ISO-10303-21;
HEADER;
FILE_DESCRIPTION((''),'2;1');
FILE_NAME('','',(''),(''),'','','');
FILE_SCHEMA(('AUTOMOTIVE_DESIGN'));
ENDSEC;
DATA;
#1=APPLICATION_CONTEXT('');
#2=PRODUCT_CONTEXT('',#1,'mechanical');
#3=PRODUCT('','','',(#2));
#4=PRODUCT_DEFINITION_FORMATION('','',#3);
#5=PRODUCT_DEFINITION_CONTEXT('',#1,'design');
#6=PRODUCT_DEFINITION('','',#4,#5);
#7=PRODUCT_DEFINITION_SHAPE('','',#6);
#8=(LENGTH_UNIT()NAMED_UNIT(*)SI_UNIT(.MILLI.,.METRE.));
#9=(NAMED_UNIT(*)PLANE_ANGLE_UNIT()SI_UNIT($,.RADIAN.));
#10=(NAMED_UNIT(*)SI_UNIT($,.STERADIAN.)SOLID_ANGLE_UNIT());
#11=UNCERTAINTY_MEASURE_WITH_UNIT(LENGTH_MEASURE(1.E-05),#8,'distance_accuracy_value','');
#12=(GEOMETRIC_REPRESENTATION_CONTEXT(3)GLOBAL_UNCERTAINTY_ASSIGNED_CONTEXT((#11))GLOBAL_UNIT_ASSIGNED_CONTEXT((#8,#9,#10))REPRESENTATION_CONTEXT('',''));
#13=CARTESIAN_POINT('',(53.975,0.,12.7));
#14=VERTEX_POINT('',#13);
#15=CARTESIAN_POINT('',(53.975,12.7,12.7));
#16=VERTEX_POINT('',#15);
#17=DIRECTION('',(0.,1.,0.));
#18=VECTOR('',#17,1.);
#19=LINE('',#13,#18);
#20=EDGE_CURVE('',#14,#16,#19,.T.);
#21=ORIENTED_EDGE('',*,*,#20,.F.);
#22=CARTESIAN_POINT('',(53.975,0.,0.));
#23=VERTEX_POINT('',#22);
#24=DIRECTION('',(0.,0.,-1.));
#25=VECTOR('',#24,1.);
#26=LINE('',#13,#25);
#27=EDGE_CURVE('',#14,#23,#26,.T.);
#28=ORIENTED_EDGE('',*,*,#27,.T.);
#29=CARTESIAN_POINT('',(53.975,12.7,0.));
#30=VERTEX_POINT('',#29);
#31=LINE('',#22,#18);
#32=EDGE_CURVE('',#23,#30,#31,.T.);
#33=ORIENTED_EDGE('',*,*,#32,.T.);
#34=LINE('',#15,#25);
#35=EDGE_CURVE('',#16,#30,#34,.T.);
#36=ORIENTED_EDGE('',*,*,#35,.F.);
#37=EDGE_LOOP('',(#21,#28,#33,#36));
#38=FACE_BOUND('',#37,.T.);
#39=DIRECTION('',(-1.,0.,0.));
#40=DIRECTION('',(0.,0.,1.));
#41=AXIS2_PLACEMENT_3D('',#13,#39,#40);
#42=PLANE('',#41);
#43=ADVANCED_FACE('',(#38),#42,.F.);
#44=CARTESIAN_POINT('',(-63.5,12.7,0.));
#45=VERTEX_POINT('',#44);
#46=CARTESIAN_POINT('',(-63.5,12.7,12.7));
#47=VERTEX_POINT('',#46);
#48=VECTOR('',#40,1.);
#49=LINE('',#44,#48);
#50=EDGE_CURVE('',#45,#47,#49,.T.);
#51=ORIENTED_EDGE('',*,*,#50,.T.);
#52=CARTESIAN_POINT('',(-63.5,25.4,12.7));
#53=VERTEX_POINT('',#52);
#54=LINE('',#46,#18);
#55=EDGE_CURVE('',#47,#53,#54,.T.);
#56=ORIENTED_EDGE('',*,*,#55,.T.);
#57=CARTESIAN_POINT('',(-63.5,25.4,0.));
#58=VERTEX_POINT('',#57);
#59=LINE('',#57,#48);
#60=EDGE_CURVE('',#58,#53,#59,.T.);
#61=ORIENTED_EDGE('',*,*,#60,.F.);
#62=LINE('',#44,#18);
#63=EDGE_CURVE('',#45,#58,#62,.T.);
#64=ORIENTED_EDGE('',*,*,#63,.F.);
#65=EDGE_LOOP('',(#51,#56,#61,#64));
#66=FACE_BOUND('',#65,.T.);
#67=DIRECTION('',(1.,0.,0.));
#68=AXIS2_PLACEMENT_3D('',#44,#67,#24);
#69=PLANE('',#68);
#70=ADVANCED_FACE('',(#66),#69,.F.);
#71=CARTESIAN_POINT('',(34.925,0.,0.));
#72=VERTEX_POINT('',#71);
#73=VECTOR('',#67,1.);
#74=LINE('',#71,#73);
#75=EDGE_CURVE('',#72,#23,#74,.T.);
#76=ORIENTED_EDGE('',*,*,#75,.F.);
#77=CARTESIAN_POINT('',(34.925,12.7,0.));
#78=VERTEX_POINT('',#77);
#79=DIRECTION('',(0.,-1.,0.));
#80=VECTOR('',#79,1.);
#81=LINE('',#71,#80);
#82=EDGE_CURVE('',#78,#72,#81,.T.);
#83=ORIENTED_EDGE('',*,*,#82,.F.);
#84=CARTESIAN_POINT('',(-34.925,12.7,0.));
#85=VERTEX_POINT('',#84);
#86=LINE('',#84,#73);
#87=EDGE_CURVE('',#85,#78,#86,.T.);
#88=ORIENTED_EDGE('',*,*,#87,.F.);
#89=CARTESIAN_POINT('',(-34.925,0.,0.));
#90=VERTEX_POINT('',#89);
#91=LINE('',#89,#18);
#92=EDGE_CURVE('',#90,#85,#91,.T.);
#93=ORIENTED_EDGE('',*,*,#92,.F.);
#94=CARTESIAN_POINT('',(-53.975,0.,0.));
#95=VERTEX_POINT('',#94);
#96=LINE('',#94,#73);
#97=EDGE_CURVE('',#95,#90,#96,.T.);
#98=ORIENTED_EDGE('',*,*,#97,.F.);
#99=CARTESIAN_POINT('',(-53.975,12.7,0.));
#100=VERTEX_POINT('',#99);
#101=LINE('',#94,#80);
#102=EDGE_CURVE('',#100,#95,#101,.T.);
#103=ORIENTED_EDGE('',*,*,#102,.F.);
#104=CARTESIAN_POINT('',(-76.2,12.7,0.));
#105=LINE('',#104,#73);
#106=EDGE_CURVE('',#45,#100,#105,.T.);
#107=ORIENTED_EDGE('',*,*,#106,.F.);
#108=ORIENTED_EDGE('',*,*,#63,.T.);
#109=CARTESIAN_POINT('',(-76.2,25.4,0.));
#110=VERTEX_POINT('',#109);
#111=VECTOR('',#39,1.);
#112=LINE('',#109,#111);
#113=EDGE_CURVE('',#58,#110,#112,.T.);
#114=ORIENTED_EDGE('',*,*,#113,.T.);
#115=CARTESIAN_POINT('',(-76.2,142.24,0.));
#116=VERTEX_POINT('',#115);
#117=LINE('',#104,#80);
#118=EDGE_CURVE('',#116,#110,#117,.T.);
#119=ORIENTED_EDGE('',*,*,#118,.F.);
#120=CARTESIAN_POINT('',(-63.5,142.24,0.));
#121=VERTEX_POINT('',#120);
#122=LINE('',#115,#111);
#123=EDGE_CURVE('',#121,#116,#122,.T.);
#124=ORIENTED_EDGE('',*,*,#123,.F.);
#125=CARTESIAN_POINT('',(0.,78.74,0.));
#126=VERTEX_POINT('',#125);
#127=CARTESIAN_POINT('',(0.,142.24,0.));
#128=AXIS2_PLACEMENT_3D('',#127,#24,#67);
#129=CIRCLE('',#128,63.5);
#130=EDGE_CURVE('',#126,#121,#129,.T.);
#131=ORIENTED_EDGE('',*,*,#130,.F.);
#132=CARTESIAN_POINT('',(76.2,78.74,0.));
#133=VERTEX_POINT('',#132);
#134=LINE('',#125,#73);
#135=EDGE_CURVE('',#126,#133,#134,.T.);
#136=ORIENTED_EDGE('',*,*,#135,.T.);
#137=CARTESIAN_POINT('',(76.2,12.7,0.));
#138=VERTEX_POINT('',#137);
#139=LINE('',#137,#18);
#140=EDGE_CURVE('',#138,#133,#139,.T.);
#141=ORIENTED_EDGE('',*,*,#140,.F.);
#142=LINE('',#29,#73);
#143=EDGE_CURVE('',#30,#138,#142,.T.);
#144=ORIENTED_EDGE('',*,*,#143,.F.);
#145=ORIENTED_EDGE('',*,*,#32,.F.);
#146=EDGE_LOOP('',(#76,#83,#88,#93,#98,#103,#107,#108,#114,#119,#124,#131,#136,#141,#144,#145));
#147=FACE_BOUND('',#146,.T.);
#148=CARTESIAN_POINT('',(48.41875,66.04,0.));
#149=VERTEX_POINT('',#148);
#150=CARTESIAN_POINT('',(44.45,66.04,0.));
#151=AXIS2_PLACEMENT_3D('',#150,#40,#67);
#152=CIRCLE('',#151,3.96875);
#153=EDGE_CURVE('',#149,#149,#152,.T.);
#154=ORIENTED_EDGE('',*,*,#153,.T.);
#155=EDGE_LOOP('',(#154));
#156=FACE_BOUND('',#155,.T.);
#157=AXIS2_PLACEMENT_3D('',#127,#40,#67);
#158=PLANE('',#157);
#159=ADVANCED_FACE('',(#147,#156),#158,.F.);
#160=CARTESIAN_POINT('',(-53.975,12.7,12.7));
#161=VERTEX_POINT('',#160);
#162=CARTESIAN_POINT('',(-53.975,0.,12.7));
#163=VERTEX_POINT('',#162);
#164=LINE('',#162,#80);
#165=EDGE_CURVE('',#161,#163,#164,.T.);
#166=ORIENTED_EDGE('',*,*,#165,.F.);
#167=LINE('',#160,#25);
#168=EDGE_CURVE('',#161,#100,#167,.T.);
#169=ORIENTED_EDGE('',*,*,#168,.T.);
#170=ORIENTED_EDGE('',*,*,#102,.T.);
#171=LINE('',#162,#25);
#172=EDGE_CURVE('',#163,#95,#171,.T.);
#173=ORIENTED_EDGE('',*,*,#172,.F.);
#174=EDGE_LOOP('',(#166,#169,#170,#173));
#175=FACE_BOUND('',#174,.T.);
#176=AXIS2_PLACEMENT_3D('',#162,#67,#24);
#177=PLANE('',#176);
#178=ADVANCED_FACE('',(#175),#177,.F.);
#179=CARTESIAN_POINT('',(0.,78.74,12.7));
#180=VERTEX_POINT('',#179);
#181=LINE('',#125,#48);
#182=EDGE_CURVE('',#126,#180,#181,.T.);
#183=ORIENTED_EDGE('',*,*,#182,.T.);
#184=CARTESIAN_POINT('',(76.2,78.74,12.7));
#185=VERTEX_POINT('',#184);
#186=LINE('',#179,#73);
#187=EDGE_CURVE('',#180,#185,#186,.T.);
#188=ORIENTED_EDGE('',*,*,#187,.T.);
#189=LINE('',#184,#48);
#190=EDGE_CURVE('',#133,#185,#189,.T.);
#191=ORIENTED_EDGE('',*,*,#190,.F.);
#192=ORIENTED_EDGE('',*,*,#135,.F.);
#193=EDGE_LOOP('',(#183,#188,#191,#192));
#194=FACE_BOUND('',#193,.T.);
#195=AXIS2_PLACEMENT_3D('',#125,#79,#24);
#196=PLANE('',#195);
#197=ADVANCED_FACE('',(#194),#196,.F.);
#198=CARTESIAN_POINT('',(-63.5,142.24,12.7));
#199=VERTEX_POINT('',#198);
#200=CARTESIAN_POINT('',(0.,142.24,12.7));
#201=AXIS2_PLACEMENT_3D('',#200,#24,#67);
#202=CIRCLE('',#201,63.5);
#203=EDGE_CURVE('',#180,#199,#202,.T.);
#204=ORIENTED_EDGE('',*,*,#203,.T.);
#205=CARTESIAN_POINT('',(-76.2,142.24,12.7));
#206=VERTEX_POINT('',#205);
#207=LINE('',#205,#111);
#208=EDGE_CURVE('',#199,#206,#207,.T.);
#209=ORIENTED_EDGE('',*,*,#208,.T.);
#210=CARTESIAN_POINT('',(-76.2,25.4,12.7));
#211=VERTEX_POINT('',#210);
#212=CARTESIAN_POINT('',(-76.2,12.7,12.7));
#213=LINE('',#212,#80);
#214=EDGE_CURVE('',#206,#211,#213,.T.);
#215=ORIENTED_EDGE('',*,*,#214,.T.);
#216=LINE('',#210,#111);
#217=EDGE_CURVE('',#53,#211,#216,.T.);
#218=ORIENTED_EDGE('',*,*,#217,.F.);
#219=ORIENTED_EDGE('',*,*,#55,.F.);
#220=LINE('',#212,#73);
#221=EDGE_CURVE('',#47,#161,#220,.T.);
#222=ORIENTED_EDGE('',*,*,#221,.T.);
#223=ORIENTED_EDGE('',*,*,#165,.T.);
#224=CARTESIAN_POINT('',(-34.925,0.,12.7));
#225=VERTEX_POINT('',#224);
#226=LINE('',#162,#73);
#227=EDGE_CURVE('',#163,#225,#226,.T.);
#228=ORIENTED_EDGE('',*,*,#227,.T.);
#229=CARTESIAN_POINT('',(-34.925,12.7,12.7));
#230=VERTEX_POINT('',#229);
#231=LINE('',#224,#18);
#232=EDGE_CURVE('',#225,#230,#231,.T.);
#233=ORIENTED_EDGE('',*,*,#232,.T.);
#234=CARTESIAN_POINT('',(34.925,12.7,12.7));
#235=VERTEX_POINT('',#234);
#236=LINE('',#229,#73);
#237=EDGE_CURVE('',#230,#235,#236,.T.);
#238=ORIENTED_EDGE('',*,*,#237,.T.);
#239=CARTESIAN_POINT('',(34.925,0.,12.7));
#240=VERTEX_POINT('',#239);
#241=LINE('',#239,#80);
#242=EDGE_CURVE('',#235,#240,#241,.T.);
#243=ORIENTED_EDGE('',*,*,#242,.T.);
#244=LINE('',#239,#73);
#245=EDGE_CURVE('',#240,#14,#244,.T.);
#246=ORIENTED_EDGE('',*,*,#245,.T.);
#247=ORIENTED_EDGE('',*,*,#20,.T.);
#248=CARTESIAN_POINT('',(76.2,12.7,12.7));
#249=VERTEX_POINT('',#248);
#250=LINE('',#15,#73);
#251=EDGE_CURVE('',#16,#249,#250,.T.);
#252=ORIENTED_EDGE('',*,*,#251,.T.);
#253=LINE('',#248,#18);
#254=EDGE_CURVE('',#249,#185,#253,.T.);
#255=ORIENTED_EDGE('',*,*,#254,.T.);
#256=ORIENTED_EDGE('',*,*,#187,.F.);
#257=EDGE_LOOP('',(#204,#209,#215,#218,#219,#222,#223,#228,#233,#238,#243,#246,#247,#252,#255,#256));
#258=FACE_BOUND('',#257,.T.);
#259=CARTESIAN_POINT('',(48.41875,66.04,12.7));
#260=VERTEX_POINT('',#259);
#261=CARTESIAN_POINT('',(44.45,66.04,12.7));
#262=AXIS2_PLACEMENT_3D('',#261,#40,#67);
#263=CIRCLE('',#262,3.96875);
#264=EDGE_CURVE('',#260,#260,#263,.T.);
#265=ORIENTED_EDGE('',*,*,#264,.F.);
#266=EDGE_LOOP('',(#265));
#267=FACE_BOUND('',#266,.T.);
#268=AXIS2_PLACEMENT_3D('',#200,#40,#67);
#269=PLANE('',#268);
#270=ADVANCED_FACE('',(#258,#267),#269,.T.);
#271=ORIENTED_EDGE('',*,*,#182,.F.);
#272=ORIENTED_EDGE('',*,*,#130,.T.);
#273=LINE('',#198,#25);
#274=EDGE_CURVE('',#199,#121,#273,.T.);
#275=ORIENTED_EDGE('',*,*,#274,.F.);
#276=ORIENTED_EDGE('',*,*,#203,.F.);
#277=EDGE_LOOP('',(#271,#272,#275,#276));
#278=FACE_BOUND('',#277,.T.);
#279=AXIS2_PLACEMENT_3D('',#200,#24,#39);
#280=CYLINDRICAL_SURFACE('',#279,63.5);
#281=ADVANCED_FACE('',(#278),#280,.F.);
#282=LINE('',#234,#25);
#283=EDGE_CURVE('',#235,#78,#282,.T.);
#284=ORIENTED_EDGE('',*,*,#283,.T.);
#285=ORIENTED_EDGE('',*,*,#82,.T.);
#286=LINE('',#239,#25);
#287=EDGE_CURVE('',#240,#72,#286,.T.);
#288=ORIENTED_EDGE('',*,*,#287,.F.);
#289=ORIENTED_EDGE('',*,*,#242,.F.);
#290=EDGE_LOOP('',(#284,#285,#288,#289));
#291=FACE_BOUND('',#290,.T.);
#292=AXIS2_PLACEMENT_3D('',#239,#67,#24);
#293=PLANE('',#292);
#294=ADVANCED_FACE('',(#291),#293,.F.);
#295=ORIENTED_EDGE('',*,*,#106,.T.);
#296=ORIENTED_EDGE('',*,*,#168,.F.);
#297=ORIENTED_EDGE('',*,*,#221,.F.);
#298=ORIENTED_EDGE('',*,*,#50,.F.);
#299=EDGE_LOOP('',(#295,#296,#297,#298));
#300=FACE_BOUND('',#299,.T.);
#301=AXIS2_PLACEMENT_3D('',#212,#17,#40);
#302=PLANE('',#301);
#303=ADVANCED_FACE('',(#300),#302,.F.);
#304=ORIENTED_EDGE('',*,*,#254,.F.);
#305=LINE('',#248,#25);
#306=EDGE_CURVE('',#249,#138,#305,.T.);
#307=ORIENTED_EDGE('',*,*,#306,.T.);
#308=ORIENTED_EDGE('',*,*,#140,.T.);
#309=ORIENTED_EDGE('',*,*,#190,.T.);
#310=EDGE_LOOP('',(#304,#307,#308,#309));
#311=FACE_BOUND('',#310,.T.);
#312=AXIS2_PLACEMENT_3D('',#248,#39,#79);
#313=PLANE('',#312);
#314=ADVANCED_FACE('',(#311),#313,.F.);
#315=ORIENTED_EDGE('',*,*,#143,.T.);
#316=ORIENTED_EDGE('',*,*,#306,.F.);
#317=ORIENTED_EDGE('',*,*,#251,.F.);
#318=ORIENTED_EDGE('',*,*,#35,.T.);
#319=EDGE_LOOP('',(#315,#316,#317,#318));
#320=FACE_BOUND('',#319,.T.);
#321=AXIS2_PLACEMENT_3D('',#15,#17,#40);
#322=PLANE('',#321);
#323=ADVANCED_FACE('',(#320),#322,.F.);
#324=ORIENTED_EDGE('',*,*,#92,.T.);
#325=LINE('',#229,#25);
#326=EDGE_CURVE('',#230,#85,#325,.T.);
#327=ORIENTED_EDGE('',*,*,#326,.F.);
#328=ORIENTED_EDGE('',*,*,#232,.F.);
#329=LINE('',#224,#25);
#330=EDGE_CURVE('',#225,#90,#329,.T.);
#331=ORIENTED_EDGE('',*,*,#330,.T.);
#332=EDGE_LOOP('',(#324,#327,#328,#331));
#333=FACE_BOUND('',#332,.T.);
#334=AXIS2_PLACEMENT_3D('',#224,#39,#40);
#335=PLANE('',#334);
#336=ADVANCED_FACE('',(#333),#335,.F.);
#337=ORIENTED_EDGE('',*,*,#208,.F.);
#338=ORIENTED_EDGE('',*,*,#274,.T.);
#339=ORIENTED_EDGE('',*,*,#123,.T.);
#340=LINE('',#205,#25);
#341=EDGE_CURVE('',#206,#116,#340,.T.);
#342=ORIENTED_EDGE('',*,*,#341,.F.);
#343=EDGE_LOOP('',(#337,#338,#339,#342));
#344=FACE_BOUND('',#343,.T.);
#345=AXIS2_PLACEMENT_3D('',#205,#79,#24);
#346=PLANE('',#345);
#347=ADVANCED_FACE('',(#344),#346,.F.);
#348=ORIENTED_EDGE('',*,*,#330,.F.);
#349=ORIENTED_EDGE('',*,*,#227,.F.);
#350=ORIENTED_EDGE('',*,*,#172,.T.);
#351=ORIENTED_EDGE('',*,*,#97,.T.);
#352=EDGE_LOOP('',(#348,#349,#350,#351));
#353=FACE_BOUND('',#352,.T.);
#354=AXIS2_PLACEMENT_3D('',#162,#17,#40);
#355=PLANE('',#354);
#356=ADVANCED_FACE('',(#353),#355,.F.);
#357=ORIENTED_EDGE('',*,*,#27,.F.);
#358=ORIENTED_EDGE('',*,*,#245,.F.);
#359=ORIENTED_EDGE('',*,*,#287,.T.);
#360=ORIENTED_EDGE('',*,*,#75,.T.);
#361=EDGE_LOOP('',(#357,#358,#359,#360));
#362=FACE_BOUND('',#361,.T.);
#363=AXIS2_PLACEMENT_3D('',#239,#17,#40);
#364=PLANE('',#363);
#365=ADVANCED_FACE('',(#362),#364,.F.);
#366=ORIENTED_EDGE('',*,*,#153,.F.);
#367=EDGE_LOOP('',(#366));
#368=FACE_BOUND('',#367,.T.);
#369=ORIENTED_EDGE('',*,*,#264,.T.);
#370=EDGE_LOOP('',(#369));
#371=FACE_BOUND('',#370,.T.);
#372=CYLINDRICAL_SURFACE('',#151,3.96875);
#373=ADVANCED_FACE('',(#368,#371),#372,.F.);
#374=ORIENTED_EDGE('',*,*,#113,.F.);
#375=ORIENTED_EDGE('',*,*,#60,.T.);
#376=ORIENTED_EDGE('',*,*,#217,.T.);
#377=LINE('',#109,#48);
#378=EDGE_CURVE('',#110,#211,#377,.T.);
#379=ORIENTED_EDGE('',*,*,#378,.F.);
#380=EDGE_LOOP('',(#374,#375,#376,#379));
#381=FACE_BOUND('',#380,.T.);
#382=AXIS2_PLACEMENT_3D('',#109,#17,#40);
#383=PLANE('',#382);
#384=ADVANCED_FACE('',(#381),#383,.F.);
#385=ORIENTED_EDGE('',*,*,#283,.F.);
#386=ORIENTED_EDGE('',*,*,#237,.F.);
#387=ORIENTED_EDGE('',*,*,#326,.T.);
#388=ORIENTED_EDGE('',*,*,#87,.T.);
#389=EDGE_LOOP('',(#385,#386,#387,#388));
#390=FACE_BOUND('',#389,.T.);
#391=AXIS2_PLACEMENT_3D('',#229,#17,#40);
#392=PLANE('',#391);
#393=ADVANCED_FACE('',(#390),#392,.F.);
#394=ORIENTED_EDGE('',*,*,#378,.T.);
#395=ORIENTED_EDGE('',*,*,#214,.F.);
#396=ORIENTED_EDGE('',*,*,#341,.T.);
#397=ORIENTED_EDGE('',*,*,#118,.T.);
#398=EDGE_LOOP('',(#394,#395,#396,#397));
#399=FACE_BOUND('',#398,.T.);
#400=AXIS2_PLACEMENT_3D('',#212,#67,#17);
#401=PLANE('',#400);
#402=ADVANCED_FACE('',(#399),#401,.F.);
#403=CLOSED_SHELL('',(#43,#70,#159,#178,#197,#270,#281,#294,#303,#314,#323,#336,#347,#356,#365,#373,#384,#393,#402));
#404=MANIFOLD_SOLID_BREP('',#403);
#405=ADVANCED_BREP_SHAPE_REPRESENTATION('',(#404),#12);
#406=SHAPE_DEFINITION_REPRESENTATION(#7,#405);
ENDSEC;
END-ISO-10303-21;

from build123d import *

# Parameters (mm, degrees)
EXTRUDE1_DEPTH     = 12.7
SKETCH2_R          = 3.96875
CUT_EXTRUDE1_DEPTH = 162.863978698
SKETCH3_W          = 12.7
SKETCH3_H          = 12.7
EXTRUDE2_DEPTH     = 162.863978698
SKETCH4_W          = 105.983052191
SKETCH4_H          = 75.202262717
EXTRUDE3_DEPTH     = 162.863978698


with BuildPart() as part:
    # Sketch1 → Extrude1 (new body)
    with BuildSketch(Plane.XY):
        with BuildLine():
            Line((-76.2, 12.7), (-53.975, 12.7))
            Line((-53.975, 12.7), (-53.975, 0))
            Line((-53.975, 0), (-34.925, 0))
            Line((-34.925, 0), (-34.925, 12.7))
            Line((-34.925, 12.7), (34.925, 12.7))
            Line((34.925, 12.7), (34.925, 0))
            Line((34.925, 0), (53.975, 0))
            Line((53.975, 0), (53.975, 12.7))
            Line((53.975, 12.7), (76.2, 12.7))
            Line((76.2, 12.7), (76.2, 142.24))
            Line((76.2, 142.24), (63.5, 142.24))
            ThreePointArc((63.5, 142.24), (0, 78.74), (-63.5, 142.24))
            Line((-63.5, 142.24), (-76.2, 142.24))
            Line((-76.2, 142.24), (-76.2, 12.7))
        make_face()
    extrude(amount=EXTRUDE1_DEPTH)

    # Sketch2 → Cut-Extrude1 (cut, through all)
    with BuildSketch(Plane.XY.offset(12.7)):
        with Locations((44.45, 66.04)):
            Circle(SKETCH2_R)
    extrude(amount=-CUT_EXTRUDE1_DEPTH, mode=Mode.SUBTRACT)

    # Sketch3 → Extrude2 (cut, through all)
    with BuildSketch(Plane.XY.offset(12.7)):
        with Locations((-69.85, 19.05)):
            Rectangle(SKETCH3_W, SKETCH3_H)
    extrude(amount=-EXTRUDE2_DEPTH, mode=Mode.SUBTRACT)

    # Sketch4 → Extrude3 (cut, through all)
    with BuildSketch(Plane.XY.offset(12.7)):
        with Locations((52.991526096, 116.341131359)):
            Rectangle(SKETCH4_W, SKETCH4_H)
    extrude(amount=-EXTRUDE3_DEPTH, mode=Mode.SUBTRACT)


solid = part.part
